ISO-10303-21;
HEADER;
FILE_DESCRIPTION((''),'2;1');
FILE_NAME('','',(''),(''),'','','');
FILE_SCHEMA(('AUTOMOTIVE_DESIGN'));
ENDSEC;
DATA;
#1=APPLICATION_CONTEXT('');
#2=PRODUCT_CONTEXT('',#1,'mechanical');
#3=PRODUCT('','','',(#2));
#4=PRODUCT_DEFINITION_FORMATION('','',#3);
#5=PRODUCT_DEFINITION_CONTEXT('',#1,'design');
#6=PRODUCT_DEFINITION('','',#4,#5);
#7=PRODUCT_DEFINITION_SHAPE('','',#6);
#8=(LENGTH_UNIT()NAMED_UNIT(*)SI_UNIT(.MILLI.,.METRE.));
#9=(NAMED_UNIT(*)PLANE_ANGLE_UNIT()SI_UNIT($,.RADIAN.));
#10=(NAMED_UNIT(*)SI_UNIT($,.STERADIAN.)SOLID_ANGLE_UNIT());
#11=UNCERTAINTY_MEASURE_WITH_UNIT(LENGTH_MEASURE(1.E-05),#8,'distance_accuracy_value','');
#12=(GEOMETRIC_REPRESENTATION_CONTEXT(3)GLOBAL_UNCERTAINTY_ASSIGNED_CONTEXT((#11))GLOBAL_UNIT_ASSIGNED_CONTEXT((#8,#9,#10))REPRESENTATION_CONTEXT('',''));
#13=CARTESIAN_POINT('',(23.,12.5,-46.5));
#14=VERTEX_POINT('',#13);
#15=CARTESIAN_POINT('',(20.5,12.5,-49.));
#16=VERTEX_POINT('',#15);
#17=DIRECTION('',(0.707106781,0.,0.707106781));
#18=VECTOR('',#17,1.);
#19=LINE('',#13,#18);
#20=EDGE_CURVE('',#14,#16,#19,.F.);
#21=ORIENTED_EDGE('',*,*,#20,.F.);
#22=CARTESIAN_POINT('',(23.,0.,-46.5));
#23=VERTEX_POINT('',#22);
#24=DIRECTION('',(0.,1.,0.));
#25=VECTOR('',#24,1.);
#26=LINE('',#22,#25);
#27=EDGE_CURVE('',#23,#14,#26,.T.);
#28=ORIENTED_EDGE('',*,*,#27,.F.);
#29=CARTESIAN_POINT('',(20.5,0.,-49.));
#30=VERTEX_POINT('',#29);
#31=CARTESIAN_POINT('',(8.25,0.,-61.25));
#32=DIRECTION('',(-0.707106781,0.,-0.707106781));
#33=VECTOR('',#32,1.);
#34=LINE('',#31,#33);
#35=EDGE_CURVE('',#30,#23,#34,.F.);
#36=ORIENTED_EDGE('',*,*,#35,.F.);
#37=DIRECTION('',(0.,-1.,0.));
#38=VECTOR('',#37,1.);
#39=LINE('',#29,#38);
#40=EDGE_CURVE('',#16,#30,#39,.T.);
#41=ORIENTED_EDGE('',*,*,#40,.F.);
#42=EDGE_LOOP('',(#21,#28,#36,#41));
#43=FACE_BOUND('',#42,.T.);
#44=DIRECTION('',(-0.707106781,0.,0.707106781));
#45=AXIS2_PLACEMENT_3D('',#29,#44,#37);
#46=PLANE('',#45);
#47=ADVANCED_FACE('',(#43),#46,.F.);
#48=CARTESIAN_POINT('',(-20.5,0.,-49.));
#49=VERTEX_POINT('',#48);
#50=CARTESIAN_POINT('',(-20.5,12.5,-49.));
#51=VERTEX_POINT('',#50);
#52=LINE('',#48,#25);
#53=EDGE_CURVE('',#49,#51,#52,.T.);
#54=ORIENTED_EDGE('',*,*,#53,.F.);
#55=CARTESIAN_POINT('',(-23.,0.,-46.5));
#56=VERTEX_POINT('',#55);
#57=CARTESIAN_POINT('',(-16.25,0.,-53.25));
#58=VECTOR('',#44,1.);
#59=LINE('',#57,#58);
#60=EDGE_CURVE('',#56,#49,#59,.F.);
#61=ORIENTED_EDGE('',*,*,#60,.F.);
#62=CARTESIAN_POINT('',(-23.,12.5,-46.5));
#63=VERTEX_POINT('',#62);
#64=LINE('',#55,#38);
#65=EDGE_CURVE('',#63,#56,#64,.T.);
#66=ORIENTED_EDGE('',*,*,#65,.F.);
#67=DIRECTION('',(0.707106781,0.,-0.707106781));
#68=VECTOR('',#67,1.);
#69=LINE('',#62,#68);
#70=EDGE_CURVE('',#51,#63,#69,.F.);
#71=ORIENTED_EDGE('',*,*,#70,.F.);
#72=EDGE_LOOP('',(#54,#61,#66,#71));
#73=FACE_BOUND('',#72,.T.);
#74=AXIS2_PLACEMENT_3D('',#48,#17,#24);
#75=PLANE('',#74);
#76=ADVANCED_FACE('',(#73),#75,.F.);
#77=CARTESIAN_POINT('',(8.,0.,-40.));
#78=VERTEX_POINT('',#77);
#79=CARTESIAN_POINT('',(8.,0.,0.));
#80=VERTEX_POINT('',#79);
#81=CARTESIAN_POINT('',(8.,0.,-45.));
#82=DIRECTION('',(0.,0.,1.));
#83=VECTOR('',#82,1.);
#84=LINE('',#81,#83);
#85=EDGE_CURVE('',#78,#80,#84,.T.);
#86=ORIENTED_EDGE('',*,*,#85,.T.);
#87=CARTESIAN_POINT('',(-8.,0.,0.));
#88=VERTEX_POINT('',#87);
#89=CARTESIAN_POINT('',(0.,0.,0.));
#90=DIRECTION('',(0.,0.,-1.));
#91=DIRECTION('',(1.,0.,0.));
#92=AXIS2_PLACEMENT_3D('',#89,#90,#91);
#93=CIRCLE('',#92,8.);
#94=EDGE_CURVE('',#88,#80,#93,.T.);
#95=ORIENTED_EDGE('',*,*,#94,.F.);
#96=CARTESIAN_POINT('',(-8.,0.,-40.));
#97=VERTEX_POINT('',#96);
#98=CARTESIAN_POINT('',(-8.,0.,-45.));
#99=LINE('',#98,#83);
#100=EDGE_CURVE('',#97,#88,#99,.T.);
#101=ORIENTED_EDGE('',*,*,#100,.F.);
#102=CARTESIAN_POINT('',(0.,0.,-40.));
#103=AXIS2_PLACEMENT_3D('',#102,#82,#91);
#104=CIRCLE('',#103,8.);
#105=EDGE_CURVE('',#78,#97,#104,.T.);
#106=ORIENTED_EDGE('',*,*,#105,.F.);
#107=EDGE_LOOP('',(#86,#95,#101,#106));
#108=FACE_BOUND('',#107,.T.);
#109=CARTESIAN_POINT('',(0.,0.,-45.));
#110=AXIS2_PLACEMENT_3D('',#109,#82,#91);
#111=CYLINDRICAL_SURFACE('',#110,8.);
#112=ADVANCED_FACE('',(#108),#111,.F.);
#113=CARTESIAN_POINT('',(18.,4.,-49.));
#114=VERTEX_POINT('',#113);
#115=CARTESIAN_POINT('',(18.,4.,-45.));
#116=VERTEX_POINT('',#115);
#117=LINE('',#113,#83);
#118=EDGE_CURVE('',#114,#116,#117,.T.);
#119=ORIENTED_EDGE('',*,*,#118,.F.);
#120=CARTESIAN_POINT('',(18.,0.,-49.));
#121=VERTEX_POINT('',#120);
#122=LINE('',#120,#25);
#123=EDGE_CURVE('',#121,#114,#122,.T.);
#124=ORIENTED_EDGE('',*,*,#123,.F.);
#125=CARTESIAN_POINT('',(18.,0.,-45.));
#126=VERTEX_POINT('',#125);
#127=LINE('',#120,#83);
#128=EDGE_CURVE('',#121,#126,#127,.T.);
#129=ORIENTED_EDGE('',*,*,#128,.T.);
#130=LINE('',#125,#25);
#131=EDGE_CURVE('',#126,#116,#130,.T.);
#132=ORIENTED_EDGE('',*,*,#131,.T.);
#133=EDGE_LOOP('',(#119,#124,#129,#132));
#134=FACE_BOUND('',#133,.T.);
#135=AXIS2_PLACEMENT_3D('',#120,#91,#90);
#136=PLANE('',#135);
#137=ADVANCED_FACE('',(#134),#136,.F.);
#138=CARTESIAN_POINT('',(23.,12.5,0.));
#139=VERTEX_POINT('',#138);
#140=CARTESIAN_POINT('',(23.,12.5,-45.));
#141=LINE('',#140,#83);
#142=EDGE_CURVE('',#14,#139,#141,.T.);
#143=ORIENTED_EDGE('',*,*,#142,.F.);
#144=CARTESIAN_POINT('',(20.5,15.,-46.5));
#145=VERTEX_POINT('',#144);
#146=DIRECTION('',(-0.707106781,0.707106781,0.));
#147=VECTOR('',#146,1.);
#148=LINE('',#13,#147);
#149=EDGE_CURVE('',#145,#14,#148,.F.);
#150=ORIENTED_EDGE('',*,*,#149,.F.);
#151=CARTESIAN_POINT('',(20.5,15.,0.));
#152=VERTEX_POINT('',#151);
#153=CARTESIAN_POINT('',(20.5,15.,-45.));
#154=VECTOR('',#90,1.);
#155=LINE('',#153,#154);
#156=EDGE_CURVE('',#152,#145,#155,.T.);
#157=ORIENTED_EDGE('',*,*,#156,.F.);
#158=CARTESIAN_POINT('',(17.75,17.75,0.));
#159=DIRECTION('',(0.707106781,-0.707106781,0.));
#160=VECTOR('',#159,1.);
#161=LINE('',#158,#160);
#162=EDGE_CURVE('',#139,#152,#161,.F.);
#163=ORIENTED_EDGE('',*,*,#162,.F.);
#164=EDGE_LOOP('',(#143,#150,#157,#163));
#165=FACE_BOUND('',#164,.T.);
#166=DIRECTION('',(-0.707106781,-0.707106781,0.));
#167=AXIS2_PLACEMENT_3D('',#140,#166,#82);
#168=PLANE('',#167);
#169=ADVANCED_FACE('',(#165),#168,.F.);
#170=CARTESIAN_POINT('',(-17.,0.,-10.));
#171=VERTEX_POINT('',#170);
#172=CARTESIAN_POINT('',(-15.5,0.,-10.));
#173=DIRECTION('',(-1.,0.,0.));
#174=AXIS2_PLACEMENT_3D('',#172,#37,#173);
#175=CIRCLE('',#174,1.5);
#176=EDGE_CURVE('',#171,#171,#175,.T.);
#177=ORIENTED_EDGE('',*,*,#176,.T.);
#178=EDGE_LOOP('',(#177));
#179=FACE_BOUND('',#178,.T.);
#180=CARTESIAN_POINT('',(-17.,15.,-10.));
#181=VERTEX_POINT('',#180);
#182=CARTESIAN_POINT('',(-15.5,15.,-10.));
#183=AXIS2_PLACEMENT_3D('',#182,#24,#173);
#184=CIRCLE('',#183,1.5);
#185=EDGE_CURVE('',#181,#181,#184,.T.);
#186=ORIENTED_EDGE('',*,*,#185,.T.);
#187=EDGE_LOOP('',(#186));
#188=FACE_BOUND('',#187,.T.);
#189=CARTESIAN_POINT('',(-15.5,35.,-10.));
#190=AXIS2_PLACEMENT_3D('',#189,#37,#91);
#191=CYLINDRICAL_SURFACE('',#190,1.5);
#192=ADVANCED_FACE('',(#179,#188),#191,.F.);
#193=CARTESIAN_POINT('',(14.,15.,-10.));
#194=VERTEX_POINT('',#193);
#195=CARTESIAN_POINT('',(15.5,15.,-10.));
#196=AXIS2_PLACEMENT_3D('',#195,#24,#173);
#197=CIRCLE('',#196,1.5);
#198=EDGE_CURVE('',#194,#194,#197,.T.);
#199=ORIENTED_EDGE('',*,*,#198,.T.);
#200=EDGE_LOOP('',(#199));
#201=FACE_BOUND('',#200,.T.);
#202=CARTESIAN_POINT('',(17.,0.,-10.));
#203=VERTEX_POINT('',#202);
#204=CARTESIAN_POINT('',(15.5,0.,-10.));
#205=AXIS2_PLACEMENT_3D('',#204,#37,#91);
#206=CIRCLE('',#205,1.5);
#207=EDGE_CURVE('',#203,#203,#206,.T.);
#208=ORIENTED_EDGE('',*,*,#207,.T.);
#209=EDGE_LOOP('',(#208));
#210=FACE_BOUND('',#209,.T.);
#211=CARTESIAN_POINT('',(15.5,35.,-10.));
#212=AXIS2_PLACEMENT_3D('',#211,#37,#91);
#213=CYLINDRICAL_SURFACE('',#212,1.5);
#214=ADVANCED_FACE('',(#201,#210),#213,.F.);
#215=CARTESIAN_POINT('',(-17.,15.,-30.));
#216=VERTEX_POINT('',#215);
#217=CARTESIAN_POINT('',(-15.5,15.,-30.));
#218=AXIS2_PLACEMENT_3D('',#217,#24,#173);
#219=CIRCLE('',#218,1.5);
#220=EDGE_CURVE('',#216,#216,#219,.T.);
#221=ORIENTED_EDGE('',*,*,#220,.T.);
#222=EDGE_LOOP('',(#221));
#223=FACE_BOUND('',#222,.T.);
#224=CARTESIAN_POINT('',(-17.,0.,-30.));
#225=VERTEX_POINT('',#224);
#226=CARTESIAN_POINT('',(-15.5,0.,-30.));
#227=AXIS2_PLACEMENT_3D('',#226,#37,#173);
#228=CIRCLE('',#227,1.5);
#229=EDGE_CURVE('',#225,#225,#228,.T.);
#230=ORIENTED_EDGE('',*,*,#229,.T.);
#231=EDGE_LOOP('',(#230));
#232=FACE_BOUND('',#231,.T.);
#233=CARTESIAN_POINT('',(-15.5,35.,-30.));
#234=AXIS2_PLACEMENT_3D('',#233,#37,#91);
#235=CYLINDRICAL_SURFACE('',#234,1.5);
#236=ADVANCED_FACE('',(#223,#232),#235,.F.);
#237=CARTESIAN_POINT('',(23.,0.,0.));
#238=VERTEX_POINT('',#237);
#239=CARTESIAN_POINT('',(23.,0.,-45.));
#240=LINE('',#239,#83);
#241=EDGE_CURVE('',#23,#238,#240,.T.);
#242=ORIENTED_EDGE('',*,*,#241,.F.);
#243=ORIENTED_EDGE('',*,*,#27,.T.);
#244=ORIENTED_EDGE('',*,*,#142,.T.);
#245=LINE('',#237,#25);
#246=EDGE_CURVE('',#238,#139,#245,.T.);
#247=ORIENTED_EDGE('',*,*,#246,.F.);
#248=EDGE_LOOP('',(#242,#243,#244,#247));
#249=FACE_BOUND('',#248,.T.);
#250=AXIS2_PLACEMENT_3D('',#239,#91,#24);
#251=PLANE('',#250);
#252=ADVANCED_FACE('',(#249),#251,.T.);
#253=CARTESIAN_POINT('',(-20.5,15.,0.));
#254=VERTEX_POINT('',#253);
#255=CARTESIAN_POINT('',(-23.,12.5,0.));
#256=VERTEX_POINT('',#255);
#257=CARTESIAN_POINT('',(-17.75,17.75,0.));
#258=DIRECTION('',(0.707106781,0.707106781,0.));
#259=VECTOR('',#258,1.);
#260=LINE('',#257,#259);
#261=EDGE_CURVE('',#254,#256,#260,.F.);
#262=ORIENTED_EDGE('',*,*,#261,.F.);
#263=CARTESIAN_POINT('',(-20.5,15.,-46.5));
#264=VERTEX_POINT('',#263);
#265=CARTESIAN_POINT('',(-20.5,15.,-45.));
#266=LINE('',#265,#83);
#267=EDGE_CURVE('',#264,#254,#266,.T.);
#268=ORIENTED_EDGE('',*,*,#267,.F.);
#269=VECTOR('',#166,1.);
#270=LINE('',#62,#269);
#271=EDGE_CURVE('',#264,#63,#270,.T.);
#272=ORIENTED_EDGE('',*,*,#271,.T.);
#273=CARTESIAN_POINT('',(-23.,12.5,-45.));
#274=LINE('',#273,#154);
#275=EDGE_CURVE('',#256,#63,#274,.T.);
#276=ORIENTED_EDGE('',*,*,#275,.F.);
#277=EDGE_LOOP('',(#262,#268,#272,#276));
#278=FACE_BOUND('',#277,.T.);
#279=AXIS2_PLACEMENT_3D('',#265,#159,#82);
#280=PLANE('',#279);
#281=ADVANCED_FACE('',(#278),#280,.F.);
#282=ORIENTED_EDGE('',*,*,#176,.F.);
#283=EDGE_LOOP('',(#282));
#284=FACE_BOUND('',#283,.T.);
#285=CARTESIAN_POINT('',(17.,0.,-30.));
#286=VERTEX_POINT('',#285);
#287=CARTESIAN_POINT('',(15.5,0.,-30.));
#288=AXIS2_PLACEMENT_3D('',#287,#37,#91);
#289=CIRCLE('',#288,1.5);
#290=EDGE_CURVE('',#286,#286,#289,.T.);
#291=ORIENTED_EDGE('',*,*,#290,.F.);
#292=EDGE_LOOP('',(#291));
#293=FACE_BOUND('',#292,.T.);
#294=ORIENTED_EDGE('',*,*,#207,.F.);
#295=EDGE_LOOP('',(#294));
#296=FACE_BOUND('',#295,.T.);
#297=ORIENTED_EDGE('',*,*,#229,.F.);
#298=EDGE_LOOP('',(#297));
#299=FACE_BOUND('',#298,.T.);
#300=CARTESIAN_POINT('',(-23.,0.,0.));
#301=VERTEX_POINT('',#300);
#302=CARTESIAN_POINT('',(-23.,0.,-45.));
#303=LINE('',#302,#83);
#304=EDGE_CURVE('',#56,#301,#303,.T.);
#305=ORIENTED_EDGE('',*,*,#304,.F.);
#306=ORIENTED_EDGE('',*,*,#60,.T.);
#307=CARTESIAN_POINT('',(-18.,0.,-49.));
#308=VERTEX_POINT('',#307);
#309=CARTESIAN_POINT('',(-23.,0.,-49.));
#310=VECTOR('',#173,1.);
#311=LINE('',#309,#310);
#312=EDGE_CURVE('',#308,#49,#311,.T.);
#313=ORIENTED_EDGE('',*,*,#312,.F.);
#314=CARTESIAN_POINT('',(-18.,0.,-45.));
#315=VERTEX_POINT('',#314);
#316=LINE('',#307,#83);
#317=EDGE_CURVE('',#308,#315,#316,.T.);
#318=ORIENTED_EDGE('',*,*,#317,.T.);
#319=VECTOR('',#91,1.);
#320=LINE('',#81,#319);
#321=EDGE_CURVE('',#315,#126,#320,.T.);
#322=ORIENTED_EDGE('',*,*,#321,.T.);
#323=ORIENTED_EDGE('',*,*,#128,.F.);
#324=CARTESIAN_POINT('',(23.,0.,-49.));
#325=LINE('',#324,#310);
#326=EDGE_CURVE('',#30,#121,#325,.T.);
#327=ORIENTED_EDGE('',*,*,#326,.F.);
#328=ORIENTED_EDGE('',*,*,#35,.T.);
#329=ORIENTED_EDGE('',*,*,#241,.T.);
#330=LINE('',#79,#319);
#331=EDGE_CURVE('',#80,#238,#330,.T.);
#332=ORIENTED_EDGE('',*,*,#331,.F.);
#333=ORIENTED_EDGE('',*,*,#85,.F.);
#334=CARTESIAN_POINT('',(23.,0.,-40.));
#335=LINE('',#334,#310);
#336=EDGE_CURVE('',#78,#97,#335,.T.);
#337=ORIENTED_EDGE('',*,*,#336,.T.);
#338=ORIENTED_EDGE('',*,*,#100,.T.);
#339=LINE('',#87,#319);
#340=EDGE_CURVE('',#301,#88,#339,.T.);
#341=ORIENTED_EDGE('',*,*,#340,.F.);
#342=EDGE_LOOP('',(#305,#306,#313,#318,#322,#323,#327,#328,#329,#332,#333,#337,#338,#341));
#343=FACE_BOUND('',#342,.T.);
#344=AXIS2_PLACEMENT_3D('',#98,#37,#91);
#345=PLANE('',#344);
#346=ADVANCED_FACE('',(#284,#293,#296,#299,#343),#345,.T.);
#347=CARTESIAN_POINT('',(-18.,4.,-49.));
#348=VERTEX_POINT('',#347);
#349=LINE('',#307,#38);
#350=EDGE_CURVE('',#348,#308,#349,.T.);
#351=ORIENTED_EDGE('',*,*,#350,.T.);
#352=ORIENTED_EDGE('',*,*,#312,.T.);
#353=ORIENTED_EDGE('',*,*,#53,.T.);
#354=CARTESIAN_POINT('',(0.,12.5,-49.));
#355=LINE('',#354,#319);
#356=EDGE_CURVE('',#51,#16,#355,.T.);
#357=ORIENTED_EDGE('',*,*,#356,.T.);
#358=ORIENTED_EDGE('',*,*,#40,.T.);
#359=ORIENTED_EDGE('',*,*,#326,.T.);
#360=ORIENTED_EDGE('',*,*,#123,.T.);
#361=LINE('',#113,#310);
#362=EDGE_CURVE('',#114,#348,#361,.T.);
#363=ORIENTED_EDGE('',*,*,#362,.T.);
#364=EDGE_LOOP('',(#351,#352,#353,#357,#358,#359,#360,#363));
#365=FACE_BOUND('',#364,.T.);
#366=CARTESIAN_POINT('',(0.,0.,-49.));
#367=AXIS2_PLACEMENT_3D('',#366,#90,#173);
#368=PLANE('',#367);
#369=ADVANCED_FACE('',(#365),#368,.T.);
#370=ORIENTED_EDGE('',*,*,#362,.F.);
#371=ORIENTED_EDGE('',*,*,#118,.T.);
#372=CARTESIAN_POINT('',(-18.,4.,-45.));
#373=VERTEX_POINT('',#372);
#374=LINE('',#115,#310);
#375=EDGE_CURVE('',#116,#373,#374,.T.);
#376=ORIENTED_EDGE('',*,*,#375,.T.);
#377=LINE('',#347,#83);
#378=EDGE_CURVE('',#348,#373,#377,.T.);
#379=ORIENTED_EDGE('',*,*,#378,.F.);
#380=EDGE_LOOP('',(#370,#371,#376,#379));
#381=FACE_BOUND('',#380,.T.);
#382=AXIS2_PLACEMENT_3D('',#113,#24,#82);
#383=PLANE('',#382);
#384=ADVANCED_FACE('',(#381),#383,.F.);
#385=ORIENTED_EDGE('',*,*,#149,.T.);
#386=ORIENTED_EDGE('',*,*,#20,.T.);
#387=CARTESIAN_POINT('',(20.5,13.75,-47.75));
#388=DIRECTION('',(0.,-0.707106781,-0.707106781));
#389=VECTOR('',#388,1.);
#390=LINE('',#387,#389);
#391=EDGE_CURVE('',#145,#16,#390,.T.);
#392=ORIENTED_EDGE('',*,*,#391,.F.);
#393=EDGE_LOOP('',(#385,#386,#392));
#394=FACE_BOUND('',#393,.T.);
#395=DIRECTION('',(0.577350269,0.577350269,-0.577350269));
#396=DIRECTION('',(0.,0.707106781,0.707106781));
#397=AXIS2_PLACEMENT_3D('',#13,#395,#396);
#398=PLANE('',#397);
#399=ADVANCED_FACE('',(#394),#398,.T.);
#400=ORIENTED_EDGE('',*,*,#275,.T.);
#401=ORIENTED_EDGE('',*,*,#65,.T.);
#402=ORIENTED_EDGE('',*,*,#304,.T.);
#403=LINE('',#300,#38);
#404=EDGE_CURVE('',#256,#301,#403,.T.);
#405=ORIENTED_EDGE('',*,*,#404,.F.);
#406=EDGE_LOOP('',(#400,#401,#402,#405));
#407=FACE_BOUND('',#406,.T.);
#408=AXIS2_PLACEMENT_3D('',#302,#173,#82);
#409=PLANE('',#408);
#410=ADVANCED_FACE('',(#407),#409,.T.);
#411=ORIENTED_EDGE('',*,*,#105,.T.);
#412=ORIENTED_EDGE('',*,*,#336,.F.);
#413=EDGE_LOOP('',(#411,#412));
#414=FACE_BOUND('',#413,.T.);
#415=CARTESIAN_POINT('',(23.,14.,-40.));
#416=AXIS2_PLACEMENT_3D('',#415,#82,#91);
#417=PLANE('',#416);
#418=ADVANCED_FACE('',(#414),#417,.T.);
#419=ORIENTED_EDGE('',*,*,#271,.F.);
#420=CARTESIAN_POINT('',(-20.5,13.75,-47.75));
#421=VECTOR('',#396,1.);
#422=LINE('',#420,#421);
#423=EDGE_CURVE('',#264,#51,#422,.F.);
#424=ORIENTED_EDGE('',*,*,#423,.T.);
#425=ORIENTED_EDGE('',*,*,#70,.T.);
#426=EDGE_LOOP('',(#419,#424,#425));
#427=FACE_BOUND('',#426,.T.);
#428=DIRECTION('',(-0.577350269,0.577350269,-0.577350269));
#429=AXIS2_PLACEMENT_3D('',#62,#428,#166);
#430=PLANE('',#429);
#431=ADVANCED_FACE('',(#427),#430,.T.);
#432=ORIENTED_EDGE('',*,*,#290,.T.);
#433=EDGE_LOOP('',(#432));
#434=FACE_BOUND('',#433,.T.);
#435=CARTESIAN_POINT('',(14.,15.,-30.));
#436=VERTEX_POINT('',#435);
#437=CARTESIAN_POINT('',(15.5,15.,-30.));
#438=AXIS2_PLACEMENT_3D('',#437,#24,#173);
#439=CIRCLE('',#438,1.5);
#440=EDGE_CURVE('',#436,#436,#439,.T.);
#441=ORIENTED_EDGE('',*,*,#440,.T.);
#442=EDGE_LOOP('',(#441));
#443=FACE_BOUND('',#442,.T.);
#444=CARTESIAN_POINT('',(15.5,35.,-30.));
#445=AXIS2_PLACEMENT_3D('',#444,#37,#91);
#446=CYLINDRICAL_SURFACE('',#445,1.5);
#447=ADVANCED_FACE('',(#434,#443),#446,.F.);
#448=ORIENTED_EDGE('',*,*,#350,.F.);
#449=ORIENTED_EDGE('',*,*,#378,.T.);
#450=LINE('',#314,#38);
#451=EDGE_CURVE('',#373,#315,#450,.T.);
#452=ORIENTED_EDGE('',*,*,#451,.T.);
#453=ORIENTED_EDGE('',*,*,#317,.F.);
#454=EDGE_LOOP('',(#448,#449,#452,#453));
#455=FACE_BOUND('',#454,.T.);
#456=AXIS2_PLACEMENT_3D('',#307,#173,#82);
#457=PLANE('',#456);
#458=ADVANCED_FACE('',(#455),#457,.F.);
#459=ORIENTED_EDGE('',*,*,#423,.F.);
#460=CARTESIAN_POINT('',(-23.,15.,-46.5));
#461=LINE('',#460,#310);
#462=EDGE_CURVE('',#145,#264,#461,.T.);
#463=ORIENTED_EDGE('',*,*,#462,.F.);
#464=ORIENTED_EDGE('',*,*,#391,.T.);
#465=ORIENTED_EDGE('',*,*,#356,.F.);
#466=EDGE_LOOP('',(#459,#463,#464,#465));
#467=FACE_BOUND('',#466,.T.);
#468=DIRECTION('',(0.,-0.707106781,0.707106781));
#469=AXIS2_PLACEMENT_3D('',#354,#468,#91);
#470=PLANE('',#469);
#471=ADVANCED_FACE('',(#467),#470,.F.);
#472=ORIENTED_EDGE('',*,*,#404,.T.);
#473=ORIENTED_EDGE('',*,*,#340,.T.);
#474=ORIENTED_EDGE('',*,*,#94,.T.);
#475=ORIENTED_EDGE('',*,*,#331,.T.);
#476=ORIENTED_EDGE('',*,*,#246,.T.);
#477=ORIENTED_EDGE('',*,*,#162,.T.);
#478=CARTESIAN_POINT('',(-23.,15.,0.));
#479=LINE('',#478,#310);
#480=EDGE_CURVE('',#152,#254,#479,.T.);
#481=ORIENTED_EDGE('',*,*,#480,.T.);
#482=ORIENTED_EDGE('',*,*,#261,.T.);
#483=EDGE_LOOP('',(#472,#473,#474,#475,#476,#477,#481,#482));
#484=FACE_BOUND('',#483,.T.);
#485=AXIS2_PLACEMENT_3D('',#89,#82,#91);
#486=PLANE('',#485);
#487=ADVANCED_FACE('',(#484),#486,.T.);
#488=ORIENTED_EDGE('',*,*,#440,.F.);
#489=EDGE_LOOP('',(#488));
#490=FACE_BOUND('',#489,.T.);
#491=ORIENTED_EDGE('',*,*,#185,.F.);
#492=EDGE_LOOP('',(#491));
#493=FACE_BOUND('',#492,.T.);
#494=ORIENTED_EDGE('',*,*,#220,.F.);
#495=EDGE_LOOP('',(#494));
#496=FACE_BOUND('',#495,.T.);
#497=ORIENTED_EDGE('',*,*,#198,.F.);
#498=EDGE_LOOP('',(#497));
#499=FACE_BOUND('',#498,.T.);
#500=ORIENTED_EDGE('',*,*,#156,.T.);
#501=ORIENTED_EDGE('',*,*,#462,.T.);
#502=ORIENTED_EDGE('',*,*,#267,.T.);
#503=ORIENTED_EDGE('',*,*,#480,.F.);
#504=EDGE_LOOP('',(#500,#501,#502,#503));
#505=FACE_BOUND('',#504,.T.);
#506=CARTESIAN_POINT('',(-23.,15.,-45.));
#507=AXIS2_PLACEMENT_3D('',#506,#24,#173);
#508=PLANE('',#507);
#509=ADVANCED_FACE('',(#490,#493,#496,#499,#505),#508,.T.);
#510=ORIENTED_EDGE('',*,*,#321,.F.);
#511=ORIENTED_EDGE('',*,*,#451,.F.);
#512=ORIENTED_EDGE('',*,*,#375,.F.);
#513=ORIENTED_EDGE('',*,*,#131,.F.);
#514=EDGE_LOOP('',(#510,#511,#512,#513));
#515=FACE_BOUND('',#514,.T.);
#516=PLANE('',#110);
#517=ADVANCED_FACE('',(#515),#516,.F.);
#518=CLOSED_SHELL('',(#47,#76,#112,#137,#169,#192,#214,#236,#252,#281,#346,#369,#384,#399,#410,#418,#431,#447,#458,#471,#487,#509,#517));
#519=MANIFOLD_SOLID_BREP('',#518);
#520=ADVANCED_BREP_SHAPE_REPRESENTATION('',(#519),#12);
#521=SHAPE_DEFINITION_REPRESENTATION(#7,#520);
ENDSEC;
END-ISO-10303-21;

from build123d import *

# Parameters (mm, degrees)
Y_KSEKLIK_EKSTR_ZYON1_DEPTH = 45
IZIM2_W                     = 46
IZIM2_H                     = 5
Y_KSEKLIK_EKSTR_ZYON2_DEPTH = 14
Y_KSEKLIK_EKSTR_ZYON3_DEPTH = 4
PAH1_SIZE                   = 2.5
IZIM4_R                     = 1.5
KES_EKSTR_ZYON1_DEPTH       = 35


with BuildPart() as part:
    # Çizim1 → Yükseklik-Ekstrüzyon1 (new body)
    with BuildSketch(Plane.XY):
        with BuildLine():
            Line((-8, 0), (-23, 0))
            Line((-23, 0), (-23, 15))
            Line((-23, 15), (23, 15))
            Line((23, 15), (23, 0))
            Line((23, 0), (8, 0))
            ThreePointArc((8, 0), (0, 8), (-8, 0))
        make_face()
    extrude(amount=-Y_KSEKLIK_EKSTR_ZYON1_DEPTH)

    # Çizim2 → Yükseklik-Ekstrüzyon2 (add)
    with BuildSketch(Plane.XZ):
        with Locations((0, -42.5)):
            Rectangle(IZIM2_W, IZIM2_H)
    extrude(amount=-Y_KSEKLIK_EKSTR_ZYON2_DEPTH)

    # Çizim3 → Yükseklik-Ekstrüzyon3 (add)
    with BuildSketch(Plane(origin=(0, 0, -45), x_dir=(-1, 0, 0), z_dir=(0, 0, -1))):
        Polygon((-23, 15), (23, 15), (23, 4), (23, 0), (18, 0), (18, 4), (-18, 4), (-18, 0), (-23, 0), (-23, 4), align=None)
    extrude(amount=Y_KSEKLIK_EKSTR_ZYON3_DEPTH)

    # Pah1
    pah1_edges = [part.edges().sort_by_distance(p)[0] for p in [
        (-23, 15, -24.5),
        (23, 15, -24.5),
        (23, 7.5, -49),
        (-23, 7.5, -49),
        (0, 15, -49),
    ]]
    chamfer(pah1_edges, length=PAH1_SIZE)

    # Çizim4 → Kes-Ekstrüzyon1 (cut)
    with BuildSketch(Plane.XZ):
        with Locations((15.5, -10)):
            Circle(IZIM4_R)
        with Locations((15.5, -30)):
            Circle(IZIM4_R)
        with Locations(Location((-15.5, -30, 0), (0, 0, 180))):
            Circle(IZIM4_R)
        with Locations(Location((-15.5, -10, 0), (0, 0, 180))):
            Circle(IZIM4_R)
    extrude(amount=-KES_EKSTR_ZYON1_DEPTH, mode=Mode.SUBTRACT)


solid = part.part
